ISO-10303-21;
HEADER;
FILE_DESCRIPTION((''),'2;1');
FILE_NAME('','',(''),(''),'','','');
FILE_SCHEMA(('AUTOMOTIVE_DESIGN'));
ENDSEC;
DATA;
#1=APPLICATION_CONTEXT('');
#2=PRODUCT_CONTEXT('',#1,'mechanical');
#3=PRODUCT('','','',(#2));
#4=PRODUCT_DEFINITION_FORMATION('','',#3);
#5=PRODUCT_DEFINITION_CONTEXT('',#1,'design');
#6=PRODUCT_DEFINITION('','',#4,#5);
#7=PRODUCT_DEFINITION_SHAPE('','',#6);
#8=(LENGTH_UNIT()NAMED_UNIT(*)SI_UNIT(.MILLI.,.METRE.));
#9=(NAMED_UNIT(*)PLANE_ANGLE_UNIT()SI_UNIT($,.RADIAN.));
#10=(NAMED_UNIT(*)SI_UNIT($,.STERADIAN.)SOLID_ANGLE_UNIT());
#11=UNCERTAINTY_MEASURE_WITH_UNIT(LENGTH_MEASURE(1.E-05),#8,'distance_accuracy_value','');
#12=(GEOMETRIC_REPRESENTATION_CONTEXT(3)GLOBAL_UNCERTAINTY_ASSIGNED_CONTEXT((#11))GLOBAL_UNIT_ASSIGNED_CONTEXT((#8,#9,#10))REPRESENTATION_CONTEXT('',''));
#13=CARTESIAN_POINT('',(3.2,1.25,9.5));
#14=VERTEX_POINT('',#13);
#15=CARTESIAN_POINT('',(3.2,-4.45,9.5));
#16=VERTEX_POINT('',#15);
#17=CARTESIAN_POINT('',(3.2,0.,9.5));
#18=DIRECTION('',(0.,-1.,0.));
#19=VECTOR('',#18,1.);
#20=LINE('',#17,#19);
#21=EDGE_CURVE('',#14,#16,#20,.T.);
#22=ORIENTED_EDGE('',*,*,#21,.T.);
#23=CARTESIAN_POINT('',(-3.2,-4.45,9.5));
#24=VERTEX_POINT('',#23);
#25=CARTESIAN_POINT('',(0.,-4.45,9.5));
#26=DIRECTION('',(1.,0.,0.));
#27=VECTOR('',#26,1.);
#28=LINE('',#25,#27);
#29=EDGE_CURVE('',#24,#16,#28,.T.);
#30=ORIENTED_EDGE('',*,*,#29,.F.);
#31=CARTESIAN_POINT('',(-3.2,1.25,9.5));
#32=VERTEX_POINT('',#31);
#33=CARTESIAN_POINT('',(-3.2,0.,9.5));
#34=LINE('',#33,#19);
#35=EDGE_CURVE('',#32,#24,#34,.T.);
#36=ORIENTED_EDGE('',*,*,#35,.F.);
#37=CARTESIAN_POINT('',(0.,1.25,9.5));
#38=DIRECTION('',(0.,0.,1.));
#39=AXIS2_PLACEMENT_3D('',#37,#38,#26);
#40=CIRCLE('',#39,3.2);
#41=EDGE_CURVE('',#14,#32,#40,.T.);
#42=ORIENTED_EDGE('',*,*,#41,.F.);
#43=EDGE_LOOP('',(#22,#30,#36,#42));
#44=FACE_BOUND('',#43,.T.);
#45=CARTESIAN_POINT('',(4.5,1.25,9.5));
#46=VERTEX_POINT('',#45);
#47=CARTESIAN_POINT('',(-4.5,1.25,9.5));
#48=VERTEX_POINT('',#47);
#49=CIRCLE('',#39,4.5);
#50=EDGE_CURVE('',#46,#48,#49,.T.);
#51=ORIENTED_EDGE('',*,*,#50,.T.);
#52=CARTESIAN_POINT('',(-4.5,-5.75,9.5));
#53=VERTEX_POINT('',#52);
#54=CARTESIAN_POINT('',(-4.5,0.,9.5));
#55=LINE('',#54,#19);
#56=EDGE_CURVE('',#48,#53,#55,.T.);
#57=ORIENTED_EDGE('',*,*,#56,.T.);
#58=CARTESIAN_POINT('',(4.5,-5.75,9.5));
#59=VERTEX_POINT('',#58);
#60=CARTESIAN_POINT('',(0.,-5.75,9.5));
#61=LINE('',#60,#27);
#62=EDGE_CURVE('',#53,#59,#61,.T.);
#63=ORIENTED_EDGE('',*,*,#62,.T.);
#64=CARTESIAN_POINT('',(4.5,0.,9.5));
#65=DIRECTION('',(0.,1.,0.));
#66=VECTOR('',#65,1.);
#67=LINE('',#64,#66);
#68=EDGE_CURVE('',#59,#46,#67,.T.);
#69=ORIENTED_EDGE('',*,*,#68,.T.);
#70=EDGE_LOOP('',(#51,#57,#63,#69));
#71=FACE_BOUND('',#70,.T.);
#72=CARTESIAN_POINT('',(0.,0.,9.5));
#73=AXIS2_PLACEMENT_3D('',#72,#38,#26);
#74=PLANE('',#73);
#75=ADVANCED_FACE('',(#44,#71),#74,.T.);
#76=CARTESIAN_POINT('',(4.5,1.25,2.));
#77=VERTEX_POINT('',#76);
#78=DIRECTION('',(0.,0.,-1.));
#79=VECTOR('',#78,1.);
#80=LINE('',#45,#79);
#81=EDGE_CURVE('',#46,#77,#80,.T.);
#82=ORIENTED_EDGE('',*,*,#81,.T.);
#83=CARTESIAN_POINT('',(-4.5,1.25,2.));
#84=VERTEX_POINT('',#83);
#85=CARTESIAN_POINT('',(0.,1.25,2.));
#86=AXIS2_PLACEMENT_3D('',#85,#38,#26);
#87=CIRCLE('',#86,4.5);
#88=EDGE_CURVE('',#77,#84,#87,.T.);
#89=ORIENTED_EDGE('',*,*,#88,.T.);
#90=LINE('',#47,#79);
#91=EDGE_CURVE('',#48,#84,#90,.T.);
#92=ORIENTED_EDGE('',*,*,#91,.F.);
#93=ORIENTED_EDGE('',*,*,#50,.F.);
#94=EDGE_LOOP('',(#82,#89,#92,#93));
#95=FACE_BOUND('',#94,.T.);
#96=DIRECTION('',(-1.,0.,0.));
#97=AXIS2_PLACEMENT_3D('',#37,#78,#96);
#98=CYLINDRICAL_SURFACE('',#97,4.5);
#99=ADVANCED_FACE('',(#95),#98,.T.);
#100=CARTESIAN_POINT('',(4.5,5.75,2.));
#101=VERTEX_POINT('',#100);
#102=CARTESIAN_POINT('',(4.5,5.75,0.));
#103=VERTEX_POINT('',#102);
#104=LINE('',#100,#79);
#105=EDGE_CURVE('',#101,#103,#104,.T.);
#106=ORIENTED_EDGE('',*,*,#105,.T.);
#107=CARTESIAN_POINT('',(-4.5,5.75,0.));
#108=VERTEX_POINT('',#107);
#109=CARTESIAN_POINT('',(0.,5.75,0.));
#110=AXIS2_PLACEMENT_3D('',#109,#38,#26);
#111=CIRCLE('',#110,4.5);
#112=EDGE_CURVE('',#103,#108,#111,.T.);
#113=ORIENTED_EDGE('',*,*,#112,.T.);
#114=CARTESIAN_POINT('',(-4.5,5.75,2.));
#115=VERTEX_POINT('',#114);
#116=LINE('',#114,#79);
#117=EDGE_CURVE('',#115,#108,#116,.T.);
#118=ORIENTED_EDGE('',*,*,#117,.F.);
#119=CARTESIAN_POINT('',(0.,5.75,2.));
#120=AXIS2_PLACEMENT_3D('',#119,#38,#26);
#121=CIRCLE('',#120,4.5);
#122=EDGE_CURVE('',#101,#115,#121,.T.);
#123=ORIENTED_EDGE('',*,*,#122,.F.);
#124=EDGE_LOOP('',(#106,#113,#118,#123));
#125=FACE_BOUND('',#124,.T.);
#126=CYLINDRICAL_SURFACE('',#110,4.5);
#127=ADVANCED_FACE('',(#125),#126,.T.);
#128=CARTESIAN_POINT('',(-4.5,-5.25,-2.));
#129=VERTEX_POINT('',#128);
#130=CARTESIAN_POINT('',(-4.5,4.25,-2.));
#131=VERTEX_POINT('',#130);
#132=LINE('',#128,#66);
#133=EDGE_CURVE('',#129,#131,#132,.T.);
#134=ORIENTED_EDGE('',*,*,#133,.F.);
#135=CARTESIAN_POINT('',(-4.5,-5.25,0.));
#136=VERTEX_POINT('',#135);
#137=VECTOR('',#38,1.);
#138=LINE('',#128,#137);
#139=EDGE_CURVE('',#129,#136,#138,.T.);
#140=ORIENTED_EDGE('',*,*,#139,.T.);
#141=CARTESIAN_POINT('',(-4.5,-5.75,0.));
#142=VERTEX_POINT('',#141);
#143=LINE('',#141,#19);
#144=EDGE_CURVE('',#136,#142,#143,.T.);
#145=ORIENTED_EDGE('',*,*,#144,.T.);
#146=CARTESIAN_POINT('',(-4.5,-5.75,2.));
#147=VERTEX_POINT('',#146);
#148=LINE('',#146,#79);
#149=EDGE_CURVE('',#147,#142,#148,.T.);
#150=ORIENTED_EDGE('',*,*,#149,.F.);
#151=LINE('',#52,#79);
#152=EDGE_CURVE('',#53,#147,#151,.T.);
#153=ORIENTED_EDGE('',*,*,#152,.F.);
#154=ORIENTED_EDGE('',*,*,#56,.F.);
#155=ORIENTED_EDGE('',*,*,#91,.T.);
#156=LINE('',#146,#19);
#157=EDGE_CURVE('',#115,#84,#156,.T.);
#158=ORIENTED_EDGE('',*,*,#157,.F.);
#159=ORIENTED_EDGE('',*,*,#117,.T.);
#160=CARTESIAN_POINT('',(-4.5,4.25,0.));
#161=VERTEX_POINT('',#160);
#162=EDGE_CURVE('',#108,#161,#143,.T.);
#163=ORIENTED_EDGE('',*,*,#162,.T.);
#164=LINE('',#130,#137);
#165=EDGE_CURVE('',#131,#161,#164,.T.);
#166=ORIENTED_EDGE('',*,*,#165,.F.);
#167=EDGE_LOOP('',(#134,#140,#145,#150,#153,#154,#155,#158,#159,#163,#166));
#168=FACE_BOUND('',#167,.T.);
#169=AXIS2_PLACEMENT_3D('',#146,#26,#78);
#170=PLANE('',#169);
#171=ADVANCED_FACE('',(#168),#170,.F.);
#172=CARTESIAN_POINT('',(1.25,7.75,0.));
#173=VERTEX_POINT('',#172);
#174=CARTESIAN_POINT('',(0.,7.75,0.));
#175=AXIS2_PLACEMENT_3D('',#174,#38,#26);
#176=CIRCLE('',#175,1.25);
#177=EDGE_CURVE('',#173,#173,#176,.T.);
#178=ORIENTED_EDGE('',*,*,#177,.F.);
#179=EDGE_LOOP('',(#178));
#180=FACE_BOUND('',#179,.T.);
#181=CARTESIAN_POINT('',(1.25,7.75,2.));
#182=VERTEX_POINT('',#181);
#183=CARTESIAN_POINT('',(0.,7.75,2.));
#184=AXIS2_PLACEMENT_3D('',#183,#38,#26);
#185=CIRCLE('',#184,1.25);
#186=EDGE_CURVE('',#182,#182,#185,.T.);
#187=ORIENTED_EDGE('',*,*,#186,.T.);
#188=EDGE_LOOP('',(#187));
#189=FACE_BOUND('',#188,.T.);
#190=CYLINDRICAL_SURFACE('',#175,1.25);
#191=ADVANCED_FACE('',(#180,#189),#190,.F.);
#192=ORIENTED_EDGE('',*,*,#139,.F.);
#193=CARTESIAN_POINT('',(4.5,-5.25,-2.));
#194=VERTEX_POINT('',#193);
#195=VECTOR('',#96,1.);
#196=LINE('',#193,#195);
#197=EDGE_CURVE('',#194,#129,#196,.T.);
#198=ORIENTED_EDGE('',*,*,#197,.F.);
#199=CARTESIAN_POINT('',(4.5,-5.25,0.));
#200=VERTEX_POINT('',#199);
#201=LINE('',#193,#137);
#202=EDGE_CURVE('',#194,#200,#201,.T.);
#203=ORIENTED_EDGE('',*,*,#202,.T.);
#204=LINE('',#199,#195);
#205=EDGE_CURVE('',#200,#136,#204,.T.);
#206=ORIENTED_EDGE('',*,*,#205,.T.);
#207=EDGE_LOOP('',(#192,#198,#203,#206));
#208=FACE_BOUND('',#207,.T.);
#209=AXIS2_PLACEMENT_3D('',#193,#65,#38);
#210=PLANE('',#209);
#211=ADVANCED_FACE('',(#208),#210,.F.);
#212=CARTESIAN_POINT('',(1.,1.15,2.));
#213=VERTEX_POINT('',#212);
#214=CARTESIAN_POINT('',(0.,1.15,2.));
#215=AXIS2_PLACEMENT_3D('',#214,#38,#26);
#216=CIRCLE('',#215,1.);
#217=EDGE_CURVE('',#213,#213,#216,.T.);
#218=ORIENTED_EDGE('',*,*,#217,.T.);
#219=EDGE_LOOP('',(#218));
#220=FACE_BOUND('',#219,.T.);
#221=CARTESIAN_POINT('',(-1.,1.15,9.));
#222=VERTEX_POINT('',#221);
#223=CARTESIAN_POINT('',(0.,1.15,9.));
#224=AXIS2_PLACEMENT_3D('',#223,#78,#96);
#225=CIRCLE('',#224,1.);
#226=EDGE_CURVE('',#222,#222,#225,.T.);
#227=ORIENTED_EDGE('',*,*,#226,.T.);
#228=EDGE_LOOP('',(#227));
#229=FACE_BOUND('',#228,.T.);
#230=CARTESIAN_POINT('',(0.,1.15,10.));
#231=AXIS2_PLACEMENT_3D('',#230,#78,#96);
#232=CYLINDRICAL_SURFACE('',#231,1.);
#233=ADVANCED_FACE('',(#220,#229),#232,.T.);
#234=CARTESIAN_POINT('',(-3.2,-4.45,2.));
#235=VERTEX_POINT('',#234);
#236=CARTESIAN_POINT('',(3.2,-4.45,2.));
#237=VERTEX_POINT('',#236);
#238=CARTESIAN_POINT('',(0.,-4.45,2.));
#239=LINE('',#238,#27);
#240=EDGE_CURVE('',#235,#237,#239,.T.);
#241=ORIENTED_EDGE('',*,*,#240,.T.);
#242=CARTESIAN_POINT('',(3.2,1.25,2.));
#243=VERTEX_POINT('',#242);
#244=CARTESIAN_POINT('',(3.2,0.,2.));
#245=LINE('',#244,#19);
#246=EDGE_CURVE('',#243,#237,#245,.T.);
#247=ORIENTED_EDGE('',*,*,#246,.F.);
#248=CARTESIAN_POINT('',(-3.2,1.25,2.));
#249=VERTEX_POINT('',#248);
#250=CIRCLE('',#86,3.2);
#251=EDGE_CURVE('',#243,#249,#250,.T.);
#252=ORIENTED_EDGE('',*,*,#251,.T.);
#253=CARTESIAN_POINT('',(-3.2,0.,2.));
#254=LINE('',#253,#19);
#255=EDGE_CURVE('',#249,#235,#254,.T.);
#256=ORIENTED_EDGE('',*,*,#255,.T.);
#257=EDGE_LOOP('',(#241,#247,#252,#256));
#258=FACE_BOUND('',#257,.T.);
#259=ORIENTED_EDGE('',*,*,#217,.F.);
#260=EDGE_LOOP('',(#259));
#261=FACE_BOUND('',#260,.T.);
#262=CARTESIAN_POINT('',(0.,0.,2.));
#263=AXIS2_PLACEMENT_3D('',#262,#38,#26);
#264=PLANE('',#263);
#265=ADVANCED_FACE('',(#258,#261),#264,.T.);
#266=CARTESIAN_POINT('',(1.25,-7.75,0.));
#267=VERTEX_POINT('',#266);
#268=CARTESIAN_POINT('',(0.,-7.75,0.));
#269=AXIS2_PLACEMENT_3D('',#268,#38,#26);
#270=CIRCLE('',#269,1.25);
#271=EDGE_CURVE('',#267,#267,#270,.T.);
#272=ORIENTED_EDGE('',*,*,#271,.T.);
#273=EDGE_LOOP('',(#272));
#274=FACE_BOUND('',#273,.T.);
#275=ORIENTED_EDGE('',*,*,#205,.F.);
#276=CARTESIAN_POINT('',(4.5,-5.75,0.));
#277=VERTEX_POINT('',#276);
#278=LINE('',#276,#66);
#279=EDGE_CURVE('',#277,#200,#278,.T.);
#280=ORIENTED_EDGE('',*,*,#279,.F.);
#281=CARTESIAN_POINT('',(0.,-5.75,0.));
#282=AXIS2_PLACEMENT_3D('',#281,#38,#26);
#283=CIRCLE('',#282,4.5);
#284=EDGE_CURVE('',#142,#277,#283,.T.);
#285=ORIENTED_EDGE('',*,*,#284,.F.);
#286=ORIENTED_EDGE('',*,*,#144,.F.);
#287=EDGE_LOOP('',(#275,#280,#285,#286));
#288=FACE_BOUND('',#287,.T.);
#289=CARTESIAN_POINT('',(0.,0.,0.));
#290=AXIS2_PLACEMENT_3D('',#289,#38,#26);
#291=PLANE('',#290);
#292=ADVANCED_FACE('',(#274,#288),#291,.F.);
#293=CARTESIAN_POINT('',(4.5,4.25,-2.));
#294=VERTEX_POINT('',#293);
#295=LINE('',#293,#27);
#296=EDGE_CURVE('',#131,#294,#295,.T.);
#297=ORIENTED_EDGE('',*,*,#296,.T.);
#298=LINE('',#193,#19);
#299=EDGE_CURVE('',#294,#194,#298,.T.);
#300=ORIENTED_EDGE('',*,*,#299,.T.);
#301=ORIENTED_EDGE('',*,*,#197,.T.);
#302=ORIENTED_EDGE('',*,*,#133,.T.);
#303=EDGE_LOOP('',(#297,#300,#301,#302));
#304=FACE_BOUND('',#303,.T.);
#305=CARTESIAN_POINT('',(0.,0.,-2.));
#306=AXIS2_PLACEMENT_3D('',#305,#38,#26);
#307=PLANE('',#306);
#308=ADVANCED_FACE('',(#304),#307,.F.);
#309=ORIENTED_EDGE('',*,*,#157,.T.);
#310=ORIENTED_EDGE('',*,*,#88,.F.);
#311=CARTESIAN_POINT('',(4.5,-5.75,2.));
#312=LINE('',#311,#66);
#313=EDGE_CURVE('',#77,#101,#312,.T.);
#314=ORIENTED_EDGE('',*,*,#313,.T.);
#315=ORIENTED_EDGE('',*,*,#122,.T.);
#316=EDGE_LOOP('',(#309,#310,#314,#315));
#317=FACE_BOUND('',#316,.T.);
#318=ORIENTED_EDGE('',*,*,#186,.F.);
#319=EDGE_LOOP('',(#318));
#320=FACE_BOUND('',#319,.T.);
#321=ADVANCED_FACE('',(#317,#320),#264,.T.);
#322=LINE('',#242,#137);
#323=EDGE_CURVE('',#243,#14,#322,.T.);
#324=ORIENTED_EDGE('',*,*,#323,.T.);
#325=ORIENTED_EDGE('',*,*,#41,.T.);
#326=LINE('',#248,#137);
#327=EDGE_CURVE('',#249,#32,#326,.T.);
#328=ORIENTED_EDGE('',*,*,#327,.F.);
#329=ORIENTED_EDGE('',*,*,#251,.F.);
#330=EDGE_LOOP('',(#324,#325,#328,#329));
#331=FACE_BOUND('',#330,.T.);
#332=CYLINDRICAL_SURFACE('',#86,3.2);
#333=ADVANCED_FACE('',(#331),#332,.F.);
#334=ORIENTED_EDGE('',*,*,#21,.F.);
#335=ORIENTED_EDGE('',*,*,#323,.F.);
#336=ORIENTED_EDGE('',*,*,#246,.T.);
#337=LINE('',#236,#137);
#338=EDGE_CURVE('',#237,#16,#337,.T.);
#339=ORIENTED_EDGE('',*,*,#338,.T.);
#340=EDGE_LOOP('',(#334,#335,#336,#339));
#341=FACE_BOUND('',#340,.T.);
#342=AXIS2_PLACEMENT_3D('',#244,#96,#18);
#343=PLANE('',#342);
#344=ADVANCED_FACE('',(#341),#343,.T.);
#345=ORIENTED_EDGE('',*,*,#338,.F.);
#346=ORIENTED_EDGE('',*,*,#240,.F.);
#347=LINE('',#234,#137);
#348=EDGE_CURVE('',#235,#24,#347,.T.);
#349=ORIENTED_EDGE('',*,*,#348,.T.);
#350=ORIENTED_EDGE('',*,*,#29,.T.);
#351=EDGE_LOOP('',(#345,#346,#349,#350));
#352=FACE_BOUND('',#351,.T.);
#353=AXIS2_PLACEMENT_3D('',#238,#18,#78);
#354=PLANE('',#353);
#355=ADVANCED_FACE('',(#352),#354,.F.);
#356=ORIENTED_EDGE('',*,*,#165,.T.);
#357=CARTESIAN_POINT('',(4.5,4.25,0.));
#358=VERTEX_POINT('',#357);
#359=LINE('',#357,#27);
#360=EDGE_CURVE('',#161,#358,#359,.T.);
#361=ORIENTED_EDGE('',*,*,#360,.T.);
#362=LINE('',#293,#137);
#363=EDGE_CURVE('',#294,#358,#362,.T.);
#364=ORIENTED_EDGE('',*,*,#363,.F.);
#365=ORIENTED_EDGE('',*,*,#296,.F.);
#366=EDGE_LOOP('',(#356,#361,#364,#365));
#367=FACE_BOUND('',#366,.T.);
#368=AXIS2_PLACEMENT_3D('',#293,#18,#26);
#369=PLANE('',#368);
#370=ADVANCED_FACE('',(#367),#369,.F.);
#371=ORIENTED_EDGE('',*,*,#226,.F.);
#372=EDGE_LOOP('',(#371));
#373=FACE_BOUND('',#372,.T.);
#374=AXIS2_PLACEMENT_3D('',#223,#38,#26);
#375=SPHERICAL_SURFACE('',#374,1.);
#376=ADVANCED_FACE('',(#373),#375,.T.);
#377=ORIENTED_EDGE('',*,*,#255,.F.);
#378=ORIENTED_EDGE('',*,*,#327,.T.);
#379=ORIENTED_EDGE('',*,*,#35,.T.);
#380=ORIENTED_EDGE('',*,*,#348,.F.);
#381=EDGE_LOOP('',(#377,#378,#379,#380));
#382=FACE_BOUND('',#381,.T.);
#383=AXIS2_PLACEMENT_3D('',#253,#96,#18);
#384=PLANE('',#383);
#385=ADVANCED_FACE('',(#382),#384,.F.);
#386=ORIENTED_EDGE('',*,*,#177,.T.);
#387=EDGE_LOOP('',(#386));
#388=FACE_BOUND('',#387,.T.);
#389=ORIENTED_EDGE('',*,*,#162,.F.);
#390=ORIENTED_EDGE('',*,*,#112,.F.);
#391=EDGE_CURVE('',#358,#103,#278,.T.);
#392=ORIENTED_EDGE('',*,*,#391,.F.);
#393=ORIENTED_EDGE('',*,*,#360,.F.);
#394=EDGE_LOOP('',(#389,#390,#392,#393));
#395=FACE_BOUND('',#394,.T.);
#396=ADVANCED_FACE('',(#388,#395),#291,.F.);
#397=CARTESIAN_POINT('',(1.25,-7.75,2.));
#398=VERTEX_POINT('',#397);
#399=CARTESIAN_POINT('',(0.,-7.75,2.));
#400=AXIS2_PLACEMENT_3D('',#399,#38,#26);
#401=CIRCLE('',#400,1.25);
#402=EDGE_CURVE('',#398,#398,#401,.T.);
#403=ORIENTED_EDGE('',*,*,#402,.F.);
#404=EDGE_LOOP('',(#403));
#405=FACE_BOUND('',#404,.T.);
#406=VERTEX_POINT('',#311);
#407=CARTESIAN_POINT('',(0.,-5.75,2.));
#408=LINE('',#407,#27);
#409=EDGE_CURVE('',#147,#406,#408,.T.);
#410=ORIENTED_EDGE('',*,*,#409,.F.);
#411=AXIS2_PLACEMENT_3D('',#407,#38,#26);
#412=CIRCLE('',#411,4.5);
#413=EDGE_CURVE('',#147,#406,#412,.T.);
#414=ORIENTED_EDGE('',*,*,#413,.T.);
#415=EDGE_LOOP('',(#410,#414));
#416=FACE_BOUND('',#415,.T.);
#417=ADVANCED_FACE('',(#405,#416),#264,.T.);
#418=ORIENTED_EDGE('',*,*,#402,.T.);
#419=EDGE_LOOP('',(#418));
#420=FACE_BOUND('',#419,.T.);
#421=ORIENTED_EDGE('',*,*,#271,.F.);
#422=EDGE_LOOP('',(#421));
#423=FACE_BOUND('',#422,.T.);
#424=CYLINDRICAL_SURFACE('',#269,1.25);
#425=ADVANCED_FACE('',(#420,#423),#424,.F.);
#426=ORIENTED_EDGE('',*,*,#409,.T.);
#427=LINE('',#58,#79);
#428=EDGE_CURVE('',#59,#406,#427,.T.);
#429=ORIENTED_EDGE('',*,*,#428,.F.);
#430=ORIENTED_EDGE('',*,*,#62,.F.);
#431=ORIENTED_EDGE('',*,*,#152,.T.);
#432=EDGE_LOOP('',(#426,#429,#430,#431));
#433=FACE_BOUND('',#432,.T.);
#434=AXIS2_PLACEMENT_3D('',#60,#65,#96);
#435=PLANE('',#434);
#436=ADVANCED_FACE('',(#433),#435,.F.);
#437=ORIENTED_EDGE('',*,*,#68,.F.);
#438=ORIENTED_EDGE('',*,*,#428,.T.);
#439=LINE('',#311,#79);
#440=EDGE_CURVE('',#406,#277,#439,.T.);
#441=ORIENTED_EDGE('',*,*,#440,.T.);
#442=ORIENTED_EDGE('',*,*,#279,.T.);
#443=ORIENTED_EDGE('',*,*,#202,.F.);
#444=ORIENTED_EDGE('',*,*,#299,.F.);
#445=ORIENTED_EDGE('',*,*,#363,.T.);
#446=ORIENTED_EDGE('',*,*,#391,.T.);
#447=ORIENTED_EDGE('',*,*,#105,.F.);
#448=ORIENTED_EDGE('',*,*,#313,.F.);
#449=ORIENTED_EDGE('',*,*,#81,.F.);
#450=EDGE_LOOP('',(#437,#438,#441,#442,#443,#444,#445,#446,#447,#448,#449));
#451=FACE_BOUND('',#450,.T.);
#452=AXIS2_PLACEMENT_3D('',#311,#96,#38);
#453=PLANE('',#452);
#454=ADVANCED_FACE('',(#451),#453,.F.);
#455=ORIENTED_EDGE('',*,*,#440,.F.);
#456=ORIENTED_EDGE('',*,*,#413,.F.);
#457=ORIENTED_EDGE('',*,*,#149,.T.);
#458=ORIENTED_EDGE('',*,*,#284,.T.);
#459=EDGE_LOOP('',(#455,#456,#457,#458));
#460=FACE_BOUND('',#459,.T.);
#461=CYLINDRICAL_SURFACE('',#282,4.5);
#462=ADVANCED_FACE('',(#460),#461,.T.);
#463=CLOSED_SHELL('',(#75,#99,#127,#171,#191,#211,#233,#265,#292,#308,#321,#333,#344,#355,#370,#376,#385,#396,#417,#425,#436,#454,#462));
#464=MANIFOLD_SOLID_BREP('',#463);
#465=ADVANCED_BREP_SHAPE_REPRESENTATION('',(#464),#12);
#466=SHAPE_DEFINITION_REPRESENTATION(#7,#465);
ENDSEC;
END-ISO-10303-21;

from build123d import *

# Parameters (mm, degrees)
SCHIZZO1_W                   = 9
SCHIZZO1_H                   = 11.5
ESTRUSIONE_ESTRUSIONE1_DEPTH = 2
SCHIZZO2_R                   = 4.5
ESTRUSIONE_ESTRUSIONE2_DEPTH = 2
SCHIZZO3_R                   = 1.25
TAGLIO_ESTRUSIONE1_DEPTH     = 2
ESTRUSIONE_ESTRUSIONE4_DEPTH = 7.5
TAGLIO_ESTRUSIONE2_DEPTH     = 7.5
SCHIZZO7_R                   = 1
ESTRUSIONE_ESTRUSIONE5_DEPTH = 8
RACCORDO1_R                  = 1
SCHIZZO8_W                   = 9
SCHIZZO8_H                   = 9.5
ESTRUSIONE_ESTRUSIONE6_DEPTH = 2


with BuildPart() as part:
    # Schizzo1 → Estrusione-Estrusione1 (new body)
    with BuildSketch(Plane.XY):
        Rectangle(SCHIZZO1_W, SCHIZZO1_H)
    extrude(amount=ESTRUSIONE_ESTRUSIONE1_DEPTH)

    # Schizzo2 → Estrusione-Estrusione2 (add)
    with BuildSketch(Plane.XY.offset(2)):
        with Locations((0, 5.75)):
            Circle(SCHIZZO2_R)
        with Locations((0, -5.75)):
            Circle(SCHIZZO2_R)
    extrude(amount=-ESTRUSIONE_ESTRUSIONE2_DEPTH)

    # Schizzo3 → Taglio-Estrusione1 (cut)
    with BuildSketch(Plane.XY.offset(2)):
        with Locations((0, -7.75)):
            Circle(SCHIZZO3_R)
        with Locations((0, 7.75)):
            Circle(SCHIZZO3_R)
    extrude(amount=-TAGLIO_ESTRUSIONE1_DEPTH, mode=Mode.SUBTRACT)

    # Schizzo4 → Estrusione-Estrusione4 (add)
    with BuildSketch(Plane.XY.offset(2)):
        with BuildLine():
            ThreePointArc((4.5, 1.25), (0, 5.75), (-4.5, 1.25))
            Line((-4.5, 1.25), (4.5, 1.25))
        make_face()
        with BuildLine():
            Line((4.5, 1.25), (-4.5, 1.25))
            ThreePointArc((-4.5, 1.25), (0, -3.25), (4.5, 1.25))
        make_face()
        with BuildLine():
            ThreePointArc((4.5, 1.25), (0, 5.75), (-4.5, 1.25))
            Line((-4.5, 1.25), (4.5, 1.25))
        make_face()
        with BuildLine():
            Line((4.5, 1.25), (-4.5, 1.25))
            ThreePointArc((-4.5, 1.25), (0, -3.25), (4.5, 1.25))
        make_face()
        with BuildLine():
            Line((-4.5, 1.25), (-4.5, -5.75))
            Line((-4.5, -5.75), (4.5, -5.75))
            Line((4.5, -5.75), (4.5, 1.25))
            ThreePointArc((4.5, 1.25), (0, -3.25), (-4.5, 1.25))
        make_face()
    extrude(amount=ESTRUSIONE_ESTRUSIONE4_DEPTH)

    # Schizzo6 → Taglio-Estrusione2 (cut)
    with BuildSketch(Plane.XY.offset(9.5)):
        with BuildLine():
            ThreePointArc((3.2, 1.25), (0, 4.45), (-3.2, 1.25))
            Line((-3.2, 1.25), (3.2, 1.25))
        make_face()
        with BuildLine():
            Line((3.2, 1.25), (-3.2, 1.25))
            ThreePointArc((-3.2, 1.25), (0, -1.95), (3.2, 1.25))
        make_face()
        with BuildLine():
            ThreePointArc((3.2, 1.25), (0, 4.45), (-3.2, 1.25))
            Line((-3.2, 1.25), (3.2, 1.25))
        make_face()
        with BuildLine():
            Line((3.2, 1.25), (-3.2, 1.25))
            ThreePointArc((-3.2, 1.25), (0, -1.95), (3.2, 1.25))
        make_face()
        with BuildLine():
            ThreePointArc((3.2, 1.25), (0, -1.95), (-3.2, 1.25))
            Line((-3.2, 1.25), (-3.2, -4.45))
            Line((-3.2, -4.45), (3.2, -4.45))
            Line((3.2, -4.45), (3.2, 1.25))
        make_face()
    extrude(amount=-TAGLIO_ESTRUSIONE2_DEPTH, mode=Mode.SUBTRACT)

    # Schizzo7 → Estrusione-Estrusione5 (add)
    with BuildSketch(Plane.XY.offset(2)):
        with Locations((0, 1.15)):
            Circle(SCHIZZO7_R)
    extrude(amount=ESTRUSIONE_ESTRUSIONE5_DEPTH)

    # Raccordo1
    raccordo1_edges = [part.edges().sort_by_distance(p)[0] for p in [
        (-1, 1.15, 10),
    ]]
    fillet(raccordo1_edges, radius=RACCORDO1_R)

    # Schizzo8 → Estrusione-Estrusione6 (add)
    with BuildSketch(Plane(origin=(0, 0, 0), x_dir=(-1, 0, 0), z_dir=(0, 0, -1))):
        with Locations((0, -0.5)):
            Rectangle(SCHIZZO8_W, SCHIZZO8_H)
    extrude(amount=ESTRUSIONE_ESTRUSIONE6_DEPTH)


solid = part.part
